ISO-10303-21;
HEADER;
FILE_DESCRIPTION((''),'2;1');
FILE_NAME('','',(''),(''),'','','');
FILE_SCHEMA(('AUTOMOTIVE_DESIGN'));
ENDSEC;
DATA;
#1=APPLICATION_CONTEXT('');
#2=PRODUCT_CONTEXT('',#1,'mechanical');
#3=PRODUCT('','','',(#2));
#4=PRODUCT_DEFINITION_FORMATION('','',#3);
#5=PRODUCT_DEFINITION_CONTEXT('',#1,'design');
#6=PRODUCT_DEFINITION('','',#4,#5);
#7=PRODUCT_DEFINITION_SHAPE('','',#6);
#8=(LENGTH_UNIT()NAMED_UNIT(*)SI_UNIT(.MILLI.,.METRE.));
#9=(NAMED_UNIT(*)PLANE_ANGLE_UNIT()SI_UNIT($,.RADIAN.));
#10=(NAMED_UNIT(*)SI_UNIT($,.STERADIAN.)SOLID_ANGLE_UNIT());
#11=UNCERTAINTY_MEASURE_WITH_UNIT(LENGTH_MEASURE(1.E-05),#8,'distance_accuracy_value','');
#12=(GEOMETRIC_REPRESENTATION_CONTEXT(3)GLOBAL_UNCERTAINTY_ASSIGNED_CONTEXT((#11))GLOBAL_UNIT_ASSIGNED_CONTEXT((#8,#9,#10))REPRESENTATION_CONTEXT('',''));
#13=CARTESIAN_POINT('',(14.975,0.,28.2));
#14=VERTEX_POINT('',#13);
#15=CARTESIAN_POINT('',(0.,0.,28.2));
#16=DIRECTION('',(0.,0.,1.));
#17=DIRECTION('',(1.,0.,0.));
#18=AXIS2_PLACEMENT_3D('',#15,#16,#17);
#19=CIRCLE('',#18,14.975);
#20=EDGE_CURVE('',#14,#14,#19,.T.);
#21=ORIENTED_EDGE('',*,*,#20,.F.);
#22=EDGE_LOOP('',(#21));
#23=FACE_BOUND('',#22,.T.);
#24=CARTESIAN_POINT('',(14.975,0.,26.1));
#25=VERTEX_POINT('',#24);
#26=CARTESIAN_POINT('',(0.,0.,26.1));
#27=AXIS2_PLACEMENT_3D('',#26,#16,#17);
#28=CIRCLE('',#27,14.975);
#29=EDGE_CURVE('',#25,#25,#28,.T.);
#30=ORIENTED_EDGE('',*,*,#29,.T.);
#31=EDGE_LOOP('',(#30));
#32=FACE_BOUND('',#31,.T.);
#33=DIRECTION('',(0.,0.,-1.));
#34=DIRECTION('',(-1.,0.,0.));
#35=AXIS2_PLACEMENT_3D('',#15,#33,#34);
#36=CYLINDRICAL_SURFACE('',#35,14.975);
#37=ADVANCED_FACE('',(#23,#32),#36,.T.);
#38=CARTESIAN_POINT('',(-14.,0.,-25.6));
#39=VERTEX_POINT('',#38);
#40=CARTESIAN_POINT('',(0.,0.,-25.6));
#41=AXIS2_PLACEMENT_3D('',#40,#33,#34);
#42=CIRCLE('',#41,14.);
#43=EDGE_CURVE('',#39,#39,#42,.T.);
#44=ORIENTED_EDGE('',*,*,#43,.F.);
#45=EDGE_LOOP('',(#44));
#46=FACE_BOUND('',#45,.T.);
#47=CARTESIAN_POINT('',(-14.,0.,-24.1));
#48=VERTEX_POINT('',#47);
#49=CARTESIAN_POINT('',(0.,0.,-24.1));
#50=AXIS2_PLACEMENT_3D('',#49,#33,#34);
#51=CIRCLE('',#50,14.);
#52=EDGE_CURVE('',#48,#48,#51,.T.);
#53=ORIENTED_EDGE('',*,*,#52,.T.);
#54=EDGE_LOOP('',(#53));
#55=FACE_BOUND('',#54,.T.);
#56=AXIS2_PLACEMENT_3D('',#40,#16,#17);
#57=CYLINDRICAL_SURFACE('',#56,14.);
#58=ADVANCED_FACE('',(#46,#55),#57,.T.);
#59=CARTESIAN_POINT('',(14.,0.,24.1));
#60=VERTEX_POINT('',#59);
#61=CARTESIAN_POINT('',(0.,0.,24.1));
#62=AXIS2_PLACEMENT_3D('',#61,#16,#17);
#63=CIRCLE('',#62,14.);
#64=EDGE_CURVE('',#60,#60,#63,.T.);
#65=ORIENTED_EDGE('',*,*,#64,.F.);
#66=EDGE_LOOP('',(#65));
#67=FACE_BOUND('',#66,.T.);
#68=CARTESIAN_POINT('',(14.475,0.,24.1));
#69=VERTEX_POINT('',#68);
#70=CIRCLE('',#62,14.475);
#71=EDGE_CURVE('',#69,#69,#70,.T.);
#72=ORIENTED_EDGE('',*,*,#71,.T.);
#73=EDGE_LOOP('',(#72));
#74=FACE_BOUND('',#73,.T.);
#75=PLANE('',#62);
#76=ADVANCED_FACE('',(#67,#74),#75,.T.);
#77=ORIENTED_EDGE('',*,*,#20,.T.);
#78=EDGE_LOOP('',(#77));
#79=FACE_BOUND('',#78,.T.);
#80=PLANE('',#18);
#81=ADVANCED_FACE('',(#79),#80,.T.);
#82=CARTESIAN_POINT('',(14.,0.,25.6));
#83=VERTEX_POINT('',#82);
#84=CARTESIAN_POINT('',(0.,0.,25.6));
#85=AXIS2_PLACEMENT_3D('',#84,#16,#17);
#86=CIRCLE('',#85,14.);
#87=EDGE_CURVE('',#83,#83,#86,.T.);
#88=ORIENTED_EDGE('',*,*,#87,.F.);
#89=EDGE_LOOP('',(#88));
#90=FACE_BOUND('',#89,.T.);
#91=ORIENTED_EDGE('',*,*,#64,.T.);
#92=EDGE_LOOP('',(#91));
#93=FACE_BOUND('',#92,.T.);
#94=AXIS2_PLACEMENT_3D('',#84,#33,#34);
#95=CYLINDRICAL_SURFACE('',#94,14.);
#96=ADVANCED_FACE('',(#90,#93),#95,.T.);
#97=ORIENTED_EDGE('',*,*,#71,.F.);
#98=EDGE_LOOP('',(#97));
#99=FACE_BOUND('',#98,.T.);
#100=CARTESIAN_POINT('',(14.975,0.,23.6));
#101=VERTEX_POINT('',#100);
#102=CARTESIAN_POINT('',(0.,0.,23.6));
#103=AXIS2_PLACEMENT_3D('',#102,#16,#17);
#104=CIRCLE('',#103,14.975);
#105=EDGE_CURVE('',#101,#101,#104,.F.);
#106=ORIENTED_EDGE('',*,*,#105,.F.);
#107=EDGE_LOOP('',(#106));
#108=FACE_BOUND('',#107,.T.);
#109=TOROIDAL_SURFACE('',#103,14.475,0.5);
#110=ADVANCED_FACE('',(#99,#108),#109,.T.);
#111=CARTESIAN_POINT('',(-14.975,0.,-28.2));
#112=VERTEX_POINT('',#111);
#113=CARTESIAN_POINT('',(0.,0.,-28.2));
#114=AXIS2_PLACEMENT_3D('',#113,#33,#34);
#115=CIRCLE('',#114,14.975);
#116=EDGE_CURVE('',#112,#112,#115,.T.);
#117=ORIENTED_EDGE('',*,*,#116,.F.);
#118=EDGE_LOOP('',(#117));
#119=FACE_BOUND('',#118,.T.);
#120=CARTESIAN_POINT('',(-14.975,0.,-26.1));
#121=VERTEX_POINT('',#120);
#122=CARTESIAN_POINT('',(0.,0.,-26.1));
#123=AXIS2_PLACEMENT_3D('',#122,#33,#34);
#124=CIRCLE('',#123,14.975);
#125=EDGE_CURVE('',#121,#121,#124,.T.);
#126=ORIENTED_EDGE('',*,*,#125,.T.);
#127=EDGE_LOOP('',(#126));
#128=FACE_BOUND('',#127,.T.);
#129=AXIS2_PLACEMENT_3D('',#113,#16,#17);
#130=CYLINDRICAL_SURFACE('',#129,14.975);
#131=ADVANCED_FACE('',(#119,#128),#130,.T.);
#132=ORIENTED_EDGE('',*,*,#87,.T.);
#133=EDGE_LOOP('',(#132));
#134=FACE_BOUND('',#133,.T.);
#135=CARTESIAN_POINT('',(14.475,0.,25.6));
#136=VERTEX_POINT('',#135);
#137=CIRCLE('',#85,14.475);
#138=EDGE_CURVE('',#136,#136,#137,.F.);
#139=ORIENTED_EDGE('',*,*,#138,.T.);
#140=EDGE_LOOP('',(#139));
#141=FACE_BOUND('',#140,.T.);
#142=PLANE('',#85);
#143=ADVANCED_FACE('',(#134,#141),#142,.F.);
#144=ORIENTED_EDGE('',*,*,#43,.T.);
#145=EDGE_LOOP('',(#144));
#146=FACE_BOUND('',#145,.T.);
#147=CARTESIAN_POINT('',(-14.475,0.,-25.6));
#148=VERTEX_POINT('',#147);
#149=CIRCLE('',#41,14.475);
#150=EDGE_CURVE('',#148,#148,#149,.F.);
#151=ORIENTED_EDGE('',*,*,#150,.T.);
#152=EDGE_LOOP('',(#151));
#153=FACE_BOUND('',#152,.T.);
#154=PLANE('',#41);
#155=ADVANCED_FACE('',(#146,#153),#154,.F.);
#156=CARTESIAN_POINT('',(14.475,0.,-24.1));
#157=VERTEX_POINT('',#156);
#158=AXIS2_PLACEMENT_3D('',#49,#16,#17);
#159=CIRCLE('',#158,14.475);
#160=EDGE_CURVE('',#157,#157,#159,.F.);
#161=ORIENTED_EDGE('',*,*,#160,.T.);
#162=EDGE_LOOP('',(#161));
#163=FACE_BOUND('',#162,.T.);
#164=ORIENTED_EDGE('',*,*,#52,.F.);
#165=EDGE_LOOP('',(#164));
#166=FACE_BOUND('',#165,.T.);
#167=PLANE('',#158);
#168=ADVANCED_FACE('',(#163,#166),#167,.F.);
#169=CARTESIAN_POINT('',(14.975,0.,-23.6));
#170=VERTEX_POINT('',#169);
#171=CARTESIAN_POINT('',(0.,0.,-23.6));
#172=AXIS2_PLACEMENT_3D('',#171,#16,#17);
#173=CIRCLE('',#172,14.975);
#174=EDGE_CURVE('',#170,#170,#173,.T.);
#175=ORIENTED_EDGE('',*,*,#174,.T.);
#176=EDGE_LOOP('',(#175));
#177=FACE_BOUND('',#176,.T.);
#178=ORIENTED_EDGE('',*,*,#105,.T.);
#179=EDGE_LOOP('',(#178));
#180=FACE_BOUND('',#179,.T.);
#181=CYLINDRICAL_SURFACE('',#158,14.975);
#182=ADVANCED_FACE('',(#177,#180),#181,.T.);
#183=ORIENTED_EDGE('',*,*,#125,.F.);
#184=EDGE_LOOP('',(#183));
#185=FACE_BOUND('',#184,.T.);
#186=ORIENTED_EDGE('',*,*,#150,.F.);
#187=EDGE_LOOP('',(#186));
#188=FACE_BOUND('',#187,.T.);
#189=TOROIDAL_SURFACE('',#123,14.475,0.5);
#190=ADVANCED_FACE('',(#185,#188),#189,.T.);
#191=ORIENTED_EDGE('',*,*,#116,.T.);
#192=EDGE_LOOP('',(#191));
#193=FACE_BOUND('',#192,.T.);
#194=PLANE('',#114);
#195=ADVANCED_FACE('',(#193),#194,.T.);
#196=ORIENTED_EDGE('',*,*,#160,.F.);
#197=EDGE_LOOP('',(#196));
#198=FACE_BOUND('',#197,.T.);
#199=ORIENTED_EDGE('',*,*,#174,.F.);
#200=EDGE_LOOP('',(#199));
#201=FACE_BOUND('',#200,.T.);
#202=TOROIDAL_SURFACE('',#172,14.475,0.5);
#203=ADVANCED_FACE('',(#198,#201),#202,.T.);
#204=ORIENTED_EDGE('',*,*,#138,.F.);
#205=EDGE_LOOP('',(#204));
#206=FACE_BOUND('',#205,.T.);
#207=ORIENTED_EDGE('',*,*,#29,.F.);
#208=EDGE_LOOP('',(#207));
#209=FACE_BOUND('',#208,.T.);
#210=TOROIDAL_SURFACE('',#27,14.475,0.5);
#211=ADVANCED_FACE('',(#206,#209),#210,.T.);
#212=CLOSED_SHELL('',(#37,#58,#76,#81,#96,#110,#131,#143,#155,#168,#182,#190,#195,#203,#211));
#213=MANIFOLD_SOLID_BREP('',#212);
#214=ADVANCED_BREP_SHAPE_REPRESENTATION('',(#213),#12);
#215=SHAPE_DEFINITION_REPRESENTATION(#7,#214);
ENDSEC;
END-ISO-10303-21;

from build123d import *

# Parameters (mm, degrees)
BOSS_EXTRUDE1_DEPTH      = 24.1
BOSS_EXTRUDE1_DEPTH_BACK = 24.1
SKETCH1_R                = 14.975
SKETCH2_R                = 14
BOSS_EXTRUDE2_DEPTH      = 1.5
SKETCH3_R                = 14.975
BOSS_EXTRUDE3_DEPTH      = 2.6
BOSS_EXTRUDE4_START      = 1.5
SKETCH4_R                = 14
BOSS_EXTRUDE4_DEPTH      = 1.5
BOSS_EXTRUDE5_START      = 2.6
SKETCH5_R                = 14.975
BOSS_EXTRUDE5_DEPTH      = 2.6
FILLET1_R                = 0.5
FILLET3_R                = 0.5


with BuildPart() as part:
    # Sketch1 → Boss-Extrude1 (new, two sides: drawn at the far end of the back side and taken through both)
    with BuildSketch(Plane.XY.offset(-BOSS_EXTRUDE1_DEPTH_BACK)):
        Circle(SKETCH1_R)
    extrude(amount=BOSS_EXTRUDE1_DEPTH + BOSS_EXTRUDE1_DEPTH_BACK)

    # Sketch2 → Boss-Extrude2 (add)
    with BuildSketch(Plane.XY.offset(24.1)):
        Circle(SKETCH2_R)
    extrude(amount=BOSS_EXTRUDE2_DEPTH)

    # Sketch3 → Boss-Extrude3 (add)
    with BuildSketch(Plane.XY.offset(25.6)):
        Circle(SKETCH3_R)
    extrude(amount=BOSS_EXTRUDE3_DEPTH)

    # Sketch4 → Boss-Extrude4 (add)
    with BuildSketch(Plane(origin=(0, 0, -24.1), x_dir=(-1, 0, 0), z_dir=(0, 0, -1)).offset(BOSS_EXTRUDE4_START)):
        Circle(SKETCH4_R)
    extrude(amount=-BOSS_EXTRUDE4_DEPTH)

    # Sketch5 → Boss-Extrude5 (add)
    with BuildSketch(Plane(origin=(0, 0, -25.6), x_dir=(-1, 0, 0), z_dir=(0, 0, -1)).offset(BOSS_EXTRUDE5_START)):
        Circle(SKETCH5_R)
    extrude(amount=-BOSS_EXTRUDE5_DEPTH)

    # Fillet1
    fillet1_edges = [part.edges().sort_by_distance(p)[0] for p in [
        (-14.975, 0, 25.6),
    ]]
    fillet(fillet1_edges, radius=FILLET1_R)

    # Fillet3
    fillet3_edges = [part.edges().sort_by_distance(p)[0] for p in [
        (14.975, 0, -25.6),
        (-14.975, 0, -24.1),
        (-14.975, 0, 24.1),
    ]]
    fillet(fillet3_edges, radius=FILLET3_R)


solid = part.part
